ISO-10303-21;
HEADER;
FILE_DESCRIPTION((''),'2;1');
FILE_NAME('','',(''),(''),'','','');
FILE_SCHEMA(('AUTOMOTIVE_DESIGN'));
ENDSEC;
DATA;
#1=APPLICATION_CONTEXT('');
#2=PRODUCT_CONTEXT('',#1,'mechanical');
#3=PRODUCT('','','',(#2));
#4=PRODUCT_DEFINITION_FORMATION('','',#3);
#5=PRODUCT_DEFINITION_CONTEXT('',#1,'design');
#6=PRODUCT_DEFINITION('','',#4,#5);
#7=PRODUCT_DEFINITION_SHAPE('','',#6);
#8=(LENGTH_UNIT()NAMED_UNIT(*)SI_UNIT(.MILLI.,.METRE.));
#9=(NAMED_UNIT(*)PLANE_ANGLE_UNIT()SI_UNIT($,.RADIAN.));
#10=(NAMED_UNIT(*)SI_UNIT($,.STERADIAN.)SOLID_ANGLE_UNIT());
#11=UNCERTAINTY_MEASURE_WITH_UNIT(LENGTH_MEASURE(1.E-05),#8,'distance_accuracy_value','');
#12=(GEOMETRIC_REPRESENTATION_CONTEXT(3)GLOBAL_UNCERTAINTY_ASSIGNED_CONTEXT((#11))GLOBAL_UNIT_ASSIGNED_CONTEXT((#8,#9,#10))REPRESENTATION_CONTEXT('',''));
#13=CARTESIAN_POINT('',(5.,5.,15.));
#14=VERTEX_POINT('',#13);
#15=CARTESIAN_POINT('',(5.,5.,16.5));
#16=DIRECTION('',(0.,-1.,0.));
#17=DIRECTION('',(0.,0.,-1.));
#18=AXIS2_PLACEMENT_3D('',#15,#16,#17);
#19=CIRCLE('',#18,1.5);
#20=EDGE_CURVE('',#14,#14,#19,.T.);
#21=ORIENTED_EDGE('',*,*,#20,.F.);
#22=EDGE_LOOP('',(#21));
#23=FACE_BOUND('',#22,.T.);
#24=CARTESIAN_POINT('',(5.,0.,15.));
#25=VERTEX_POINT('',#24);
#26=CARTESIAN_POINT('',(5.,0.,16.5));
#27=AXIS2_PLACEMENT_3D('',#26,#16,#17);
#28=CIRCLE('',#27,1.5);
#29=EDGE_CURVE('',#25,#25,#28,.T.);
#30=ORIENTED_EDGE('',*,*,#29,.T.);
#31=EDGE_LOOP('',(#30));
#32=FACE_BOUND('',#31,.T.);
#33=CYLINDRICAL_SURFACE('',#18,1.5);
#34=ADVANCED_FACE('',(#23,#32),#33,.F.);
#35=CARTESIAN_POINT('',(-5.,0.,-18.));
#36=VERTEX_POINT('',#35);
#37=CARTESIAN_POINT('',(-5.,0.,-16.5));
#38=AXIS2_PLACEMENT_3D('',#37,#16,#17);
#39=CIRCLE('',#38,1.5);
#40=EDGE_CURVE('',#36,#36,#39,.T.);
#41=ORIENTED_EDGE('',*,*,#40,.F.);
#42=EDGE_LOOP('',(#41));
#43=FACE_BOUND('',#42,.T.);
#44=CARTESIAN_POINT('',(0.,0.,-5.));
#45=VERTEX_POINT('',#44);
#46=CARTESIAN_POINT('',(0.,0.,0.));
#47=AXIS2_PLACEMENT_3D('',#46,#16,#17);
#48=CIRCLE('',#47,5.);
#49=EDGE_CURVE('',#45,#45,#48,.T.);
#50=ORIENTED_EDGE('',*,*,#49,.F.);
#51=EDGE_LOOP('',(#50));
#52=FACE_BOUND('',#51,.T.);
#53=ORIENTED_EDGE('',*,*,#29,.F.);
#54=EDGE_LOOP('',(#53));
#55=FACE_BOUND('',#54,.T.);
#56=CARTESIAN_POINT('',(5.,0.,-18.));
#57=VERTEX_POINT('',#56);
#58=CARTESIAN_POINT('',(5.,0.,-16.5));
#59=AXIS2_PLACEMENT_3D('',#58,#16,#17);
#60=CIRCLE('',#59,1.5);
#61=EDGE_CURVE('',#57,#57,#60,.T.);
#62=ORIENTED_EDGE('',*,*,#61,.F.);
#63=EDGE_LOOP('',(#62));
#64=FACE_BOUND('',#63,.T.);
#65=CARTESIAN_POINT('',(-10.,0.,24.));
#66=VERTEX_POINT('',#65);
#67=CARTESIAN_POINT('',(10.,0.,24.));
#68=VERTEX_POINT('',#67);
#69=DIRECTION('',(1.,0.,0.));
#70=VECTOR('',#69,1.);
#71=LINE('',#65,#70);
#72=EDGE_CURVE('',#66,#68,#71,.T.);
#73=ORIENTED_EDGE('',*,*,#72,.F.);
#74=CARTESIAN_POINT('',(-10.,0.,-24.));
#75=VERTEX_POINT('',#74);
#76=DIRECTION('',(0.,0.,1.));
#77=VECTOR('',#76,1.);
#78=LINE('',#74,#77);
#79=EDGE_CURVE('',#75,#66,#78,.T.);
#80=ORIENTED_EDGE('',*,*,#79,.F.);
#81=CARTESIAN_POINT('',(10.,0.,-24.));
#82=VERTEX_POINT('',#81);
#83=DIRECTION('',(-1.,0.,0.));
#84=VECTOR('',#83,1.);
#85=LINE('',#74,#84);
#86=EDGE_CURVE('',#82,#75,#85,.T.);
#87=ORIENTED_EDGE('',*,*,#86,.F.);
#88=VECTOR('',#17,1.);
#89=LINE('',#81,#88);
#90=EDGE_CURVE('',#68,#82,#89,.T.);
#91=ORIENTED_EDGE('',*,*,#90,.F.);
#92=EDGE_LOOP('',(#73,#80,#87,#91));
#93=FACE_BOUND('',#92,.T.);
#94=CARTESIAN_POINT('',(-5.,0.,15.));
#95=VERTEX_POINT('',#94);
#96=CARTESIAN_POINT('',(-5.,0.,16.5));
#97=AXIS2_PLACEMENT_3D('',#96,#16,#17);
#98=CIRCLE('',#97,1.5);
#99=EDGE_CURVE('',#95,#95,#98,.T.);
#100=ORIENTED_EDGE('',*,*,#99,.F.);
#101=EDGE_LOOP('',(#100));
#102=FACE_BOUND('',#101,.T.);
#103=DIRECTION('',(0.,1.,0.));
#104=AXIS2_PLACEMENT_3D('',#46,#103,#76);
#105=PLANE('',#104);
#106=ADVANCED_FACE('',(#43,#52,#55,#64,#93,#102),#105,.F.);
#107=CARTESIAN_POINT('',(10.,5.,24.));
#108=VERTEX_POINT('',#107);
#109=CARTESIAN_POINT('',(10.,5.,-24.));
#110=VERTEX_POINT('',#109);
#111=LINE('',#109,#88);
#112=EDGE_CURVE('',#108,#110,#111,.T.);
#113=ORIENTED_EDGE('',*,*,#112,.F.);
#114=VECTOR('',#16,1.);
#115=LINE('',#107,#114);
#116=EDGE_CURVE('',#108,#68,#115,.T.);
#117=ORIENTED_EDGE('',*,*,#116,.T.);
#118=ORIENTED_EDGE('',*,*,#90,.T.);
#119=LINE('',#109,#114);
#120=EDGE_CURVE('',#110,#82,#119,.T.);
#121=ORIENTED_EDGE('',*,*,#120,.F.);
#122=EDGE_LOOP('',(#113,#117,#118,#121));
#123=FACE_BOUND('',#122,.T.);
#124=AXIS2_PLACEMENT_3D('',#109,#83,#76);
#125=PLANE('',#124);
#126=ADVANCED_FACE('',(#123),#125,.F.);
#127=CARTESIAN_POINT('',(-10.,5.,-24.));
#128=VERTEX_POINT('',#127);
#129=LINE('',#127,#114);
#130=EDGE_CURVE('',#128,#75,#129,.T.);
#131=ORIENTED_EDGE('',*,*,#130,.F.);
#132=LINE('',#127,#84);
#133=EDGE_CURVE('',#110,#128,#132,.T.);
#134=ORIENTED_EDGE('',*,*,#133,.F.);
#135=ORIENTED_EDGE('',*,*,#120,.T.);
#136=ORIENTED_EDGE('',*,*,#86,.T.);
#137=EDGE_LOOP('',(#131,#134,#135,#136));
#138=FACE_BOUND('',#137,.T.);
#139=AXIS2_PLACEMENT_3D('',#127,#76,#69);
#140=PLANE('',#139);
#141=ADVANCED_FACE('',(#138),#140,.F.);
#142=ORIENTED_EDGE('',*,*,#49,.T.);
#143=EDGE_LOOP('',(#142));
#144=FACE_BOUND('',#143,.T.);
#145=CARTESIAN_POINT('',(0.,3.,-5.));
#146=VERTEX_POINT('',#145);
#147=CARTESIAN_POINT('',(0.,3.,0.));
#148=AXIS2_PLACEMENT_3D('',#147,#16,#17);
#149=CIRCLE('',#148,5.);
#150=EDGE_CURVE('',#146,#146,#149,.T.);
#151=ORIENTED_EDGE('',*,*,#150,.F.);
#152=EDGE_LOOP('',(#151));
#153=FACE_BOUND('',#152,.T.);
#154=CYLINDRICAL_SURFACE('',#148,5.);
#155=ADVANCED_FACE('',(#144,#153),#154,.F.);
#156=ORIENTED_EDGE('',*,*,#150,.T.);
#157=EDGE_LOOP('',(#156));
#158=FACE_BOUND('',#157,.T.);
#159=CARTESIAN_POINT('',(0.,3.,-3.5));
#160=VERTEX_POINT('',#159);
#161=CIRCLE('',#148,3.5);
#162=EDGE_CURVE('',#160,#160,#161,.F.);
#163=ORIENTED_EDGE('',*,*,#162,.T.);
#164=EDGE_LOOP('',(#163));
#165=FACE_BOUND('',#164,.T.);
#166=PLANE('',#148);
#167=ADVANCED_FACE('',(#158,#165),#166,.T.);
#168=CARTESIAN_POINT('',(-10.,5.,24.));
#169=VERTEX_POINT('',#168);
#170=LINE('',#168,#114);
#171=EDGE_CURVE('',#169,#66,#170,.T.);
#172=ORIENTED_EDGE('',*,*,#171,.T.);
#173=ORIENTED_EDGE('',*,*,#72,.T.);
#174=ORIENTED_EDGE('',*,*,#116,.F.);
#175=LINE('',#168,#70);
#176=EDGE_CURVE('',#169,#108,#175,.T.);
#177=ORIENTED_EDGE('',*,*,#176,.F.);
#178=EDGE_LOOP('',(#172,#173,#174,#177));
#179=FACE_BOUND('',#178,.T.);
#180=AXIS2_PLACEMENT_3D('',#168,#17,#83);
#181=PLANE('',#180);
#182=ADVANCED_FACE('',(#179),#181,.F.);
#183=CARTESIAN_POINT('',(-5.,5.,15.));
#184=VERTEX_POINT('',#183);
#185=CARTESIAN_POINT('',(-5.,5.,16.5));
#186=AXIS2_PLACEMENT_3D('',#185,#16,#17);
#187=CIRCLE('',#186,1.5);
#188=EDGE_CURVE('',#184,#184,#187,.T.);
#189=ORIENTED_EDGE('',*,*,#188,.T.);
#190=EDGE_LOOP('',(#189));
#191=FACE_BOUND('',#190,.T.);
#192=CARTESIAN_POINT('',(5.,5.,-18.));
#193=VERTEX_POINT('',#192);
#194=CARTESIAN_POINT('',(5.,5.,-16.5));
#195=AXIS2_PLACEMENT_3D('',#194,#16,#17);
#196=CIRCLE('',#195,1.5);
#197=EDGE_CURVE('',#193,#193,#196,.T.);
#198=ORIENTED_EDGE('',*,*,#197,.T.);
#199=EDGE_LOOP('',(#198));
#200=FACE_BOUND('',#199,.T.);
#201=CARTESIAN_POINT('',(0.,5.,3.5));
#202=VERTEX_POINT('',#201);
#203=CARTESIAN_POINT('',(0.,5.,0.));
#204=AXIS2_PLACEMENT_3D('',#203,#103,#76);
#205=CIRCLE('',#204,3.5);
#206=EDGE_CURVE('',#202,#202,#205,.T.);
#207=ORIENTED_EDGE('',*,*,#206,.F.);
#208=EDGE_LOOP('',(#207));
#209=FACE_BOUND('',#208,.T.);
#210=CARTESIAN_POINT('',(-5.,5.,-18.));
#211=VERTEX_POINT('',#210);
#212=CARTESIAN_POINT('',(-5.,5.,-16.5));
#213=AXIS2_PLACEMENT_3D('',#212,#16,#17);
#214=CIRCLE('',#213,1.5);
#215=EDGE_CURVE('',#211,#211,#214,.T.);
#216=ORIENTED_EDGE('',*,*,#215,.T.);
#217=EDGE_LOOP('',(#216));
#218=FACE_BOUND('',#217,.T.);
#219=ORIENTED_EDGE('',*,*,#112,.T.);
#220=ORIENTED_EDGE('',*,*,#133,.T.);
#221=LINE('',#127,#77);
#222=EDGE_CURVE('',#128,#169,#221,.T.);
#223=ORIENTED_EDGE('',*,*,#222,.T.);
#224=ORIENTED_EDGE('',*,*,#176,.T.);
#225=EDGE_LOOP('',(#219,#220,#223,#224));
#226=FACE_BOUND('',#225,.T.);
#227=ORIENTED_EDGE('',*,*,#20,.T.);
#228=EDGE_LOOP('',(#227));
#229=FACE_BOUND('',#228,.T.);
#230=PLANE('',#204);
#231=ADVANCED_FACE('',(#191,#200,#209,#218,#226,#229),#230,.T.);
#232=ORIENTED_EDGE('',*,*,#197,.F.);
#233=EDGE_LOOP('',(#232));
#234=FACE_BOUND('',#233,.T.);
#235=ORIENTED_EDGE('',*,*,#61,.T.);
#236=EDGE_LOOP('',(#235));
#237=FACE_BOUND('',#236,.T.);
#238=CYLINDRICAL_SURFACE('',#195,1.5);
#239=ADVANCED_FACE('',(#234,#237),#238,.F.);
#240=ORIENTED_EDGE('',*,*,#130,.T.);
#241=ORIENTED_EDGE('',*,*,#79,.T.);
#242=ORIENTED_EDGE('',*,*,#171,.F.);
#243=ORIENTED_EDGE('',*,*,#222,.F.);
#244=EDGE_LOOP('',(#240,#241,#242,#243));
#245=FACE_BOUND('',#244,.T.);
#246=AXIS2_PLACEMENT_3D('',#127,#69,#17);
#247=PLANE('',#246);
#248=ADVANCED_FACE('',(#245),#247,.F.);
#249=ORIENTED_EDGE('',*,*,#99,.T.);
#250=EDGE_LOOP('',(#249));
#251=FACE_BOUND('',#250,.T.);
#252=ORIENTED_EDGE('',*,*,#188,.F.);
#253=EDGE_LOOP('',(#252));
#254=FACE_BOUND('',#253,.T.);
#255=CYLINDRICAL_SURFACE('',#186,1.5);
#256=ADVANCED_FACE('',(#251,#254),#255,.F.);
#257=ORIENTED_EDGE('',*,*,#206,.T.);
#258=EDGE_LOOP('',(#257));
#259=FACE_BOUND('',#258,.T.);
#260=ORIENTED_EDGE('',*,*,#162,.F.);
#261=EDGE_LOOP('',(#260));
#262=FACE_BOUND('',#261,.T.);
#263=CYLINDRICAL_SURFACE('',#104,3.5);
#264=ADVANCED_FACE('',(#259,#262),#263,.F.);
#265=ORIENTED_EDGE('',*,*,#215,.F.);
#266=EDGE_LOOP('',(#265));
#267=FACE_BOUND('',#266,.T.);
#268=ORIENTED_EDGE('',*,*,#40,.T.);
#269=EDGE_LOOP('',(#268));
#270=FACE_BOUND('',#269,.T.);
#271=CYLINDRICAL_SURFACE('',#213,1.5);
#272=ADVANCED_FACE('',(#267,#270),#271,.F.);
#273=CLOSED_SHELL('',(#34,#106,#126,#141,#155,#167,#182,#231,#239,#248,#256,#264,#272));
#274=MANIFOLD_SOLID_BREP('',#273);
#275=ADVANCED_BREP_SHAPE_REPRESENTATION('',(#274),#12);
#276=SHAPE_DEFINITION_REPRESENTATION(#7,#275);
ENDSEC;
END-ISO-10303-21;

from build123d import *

# Parameters (mm, degrees)
SKETCH1_W           = 20
SKETCH1_H           = 48
BOSS_EXTRUDE1_DEPTH = 5
SKETCH2_R           = 3.5
CUT_EXTRUDE1_DEPTH  = 27.47640459
SKETCH3_R           = 5
CUT_EXTRUDE2_DEPTH  = 3
SKETCH4_R           = 1.5
CUT_EXTRUDE3_DEPTH  = 27.47640459


with BuildPart() as part:
    # Sketch1 → Boss-Extrude1 (new body)
    with BuildSketch(Plane(origin=(0, 0, 0), x_dir=(1, 0, 0), z_dir=(0, 1, 0))):
        Rectangle(SKETCH1_W, SKETCH1_H)
    extrude(amount=BOSS_EXTRUDE1_DEPTH)

    # Sketch2 → Cut-Extrude1 (cut, through all)
    with BuildSketch(Plane(origin=(0, 5, 0), x_dir=(1, 0, 0), z_dir=(0, 1, 0))):
        with Locations(Location((0, 0, 0), (0, 0, 270))):
            Circle(SKETCH2_R)
    extrude(amount=-CUT_EXTRUDE1_DEPTH, mode=Mode.SUBTRACT)

    # Sketch3 → Cut-Extrude2 (cut)
    with BuildSketch(Plane.XZ):
        with Locations(Location((0, 0, 0), (0, 0, 270))):
            Circle(SKETCH3_R)
    extrude(amount=-CUT_EXTRUDE2_DEPTH, mode=Mode.SUBTRACT)

    # Sketch4 → Cut-Extrude3 (cut, through all)
    with BuildSketch(Plane.XZ):
        with Locations(Location((5, -16.5, 0), (0, 0, 270))):
            Circle(SKETCH4_R)
        with Locations(Location((-5, -16.5, 0), (0, 0, 270))):
            Circle(SKETCH4_R)
        with Locations(Location((-5, 16.5, 0), (0, 0, 270))):
            Circle(SKETCH4_R)
        with Locations(Location((5, 16.5, 0), (0, 0, 270))):
            Circle(SKETCH4_R)
    extrude(amount=-CUT_EXTRUDE3_DEPTH, mode=Mode.SUBTRACT)


solid = part.part
